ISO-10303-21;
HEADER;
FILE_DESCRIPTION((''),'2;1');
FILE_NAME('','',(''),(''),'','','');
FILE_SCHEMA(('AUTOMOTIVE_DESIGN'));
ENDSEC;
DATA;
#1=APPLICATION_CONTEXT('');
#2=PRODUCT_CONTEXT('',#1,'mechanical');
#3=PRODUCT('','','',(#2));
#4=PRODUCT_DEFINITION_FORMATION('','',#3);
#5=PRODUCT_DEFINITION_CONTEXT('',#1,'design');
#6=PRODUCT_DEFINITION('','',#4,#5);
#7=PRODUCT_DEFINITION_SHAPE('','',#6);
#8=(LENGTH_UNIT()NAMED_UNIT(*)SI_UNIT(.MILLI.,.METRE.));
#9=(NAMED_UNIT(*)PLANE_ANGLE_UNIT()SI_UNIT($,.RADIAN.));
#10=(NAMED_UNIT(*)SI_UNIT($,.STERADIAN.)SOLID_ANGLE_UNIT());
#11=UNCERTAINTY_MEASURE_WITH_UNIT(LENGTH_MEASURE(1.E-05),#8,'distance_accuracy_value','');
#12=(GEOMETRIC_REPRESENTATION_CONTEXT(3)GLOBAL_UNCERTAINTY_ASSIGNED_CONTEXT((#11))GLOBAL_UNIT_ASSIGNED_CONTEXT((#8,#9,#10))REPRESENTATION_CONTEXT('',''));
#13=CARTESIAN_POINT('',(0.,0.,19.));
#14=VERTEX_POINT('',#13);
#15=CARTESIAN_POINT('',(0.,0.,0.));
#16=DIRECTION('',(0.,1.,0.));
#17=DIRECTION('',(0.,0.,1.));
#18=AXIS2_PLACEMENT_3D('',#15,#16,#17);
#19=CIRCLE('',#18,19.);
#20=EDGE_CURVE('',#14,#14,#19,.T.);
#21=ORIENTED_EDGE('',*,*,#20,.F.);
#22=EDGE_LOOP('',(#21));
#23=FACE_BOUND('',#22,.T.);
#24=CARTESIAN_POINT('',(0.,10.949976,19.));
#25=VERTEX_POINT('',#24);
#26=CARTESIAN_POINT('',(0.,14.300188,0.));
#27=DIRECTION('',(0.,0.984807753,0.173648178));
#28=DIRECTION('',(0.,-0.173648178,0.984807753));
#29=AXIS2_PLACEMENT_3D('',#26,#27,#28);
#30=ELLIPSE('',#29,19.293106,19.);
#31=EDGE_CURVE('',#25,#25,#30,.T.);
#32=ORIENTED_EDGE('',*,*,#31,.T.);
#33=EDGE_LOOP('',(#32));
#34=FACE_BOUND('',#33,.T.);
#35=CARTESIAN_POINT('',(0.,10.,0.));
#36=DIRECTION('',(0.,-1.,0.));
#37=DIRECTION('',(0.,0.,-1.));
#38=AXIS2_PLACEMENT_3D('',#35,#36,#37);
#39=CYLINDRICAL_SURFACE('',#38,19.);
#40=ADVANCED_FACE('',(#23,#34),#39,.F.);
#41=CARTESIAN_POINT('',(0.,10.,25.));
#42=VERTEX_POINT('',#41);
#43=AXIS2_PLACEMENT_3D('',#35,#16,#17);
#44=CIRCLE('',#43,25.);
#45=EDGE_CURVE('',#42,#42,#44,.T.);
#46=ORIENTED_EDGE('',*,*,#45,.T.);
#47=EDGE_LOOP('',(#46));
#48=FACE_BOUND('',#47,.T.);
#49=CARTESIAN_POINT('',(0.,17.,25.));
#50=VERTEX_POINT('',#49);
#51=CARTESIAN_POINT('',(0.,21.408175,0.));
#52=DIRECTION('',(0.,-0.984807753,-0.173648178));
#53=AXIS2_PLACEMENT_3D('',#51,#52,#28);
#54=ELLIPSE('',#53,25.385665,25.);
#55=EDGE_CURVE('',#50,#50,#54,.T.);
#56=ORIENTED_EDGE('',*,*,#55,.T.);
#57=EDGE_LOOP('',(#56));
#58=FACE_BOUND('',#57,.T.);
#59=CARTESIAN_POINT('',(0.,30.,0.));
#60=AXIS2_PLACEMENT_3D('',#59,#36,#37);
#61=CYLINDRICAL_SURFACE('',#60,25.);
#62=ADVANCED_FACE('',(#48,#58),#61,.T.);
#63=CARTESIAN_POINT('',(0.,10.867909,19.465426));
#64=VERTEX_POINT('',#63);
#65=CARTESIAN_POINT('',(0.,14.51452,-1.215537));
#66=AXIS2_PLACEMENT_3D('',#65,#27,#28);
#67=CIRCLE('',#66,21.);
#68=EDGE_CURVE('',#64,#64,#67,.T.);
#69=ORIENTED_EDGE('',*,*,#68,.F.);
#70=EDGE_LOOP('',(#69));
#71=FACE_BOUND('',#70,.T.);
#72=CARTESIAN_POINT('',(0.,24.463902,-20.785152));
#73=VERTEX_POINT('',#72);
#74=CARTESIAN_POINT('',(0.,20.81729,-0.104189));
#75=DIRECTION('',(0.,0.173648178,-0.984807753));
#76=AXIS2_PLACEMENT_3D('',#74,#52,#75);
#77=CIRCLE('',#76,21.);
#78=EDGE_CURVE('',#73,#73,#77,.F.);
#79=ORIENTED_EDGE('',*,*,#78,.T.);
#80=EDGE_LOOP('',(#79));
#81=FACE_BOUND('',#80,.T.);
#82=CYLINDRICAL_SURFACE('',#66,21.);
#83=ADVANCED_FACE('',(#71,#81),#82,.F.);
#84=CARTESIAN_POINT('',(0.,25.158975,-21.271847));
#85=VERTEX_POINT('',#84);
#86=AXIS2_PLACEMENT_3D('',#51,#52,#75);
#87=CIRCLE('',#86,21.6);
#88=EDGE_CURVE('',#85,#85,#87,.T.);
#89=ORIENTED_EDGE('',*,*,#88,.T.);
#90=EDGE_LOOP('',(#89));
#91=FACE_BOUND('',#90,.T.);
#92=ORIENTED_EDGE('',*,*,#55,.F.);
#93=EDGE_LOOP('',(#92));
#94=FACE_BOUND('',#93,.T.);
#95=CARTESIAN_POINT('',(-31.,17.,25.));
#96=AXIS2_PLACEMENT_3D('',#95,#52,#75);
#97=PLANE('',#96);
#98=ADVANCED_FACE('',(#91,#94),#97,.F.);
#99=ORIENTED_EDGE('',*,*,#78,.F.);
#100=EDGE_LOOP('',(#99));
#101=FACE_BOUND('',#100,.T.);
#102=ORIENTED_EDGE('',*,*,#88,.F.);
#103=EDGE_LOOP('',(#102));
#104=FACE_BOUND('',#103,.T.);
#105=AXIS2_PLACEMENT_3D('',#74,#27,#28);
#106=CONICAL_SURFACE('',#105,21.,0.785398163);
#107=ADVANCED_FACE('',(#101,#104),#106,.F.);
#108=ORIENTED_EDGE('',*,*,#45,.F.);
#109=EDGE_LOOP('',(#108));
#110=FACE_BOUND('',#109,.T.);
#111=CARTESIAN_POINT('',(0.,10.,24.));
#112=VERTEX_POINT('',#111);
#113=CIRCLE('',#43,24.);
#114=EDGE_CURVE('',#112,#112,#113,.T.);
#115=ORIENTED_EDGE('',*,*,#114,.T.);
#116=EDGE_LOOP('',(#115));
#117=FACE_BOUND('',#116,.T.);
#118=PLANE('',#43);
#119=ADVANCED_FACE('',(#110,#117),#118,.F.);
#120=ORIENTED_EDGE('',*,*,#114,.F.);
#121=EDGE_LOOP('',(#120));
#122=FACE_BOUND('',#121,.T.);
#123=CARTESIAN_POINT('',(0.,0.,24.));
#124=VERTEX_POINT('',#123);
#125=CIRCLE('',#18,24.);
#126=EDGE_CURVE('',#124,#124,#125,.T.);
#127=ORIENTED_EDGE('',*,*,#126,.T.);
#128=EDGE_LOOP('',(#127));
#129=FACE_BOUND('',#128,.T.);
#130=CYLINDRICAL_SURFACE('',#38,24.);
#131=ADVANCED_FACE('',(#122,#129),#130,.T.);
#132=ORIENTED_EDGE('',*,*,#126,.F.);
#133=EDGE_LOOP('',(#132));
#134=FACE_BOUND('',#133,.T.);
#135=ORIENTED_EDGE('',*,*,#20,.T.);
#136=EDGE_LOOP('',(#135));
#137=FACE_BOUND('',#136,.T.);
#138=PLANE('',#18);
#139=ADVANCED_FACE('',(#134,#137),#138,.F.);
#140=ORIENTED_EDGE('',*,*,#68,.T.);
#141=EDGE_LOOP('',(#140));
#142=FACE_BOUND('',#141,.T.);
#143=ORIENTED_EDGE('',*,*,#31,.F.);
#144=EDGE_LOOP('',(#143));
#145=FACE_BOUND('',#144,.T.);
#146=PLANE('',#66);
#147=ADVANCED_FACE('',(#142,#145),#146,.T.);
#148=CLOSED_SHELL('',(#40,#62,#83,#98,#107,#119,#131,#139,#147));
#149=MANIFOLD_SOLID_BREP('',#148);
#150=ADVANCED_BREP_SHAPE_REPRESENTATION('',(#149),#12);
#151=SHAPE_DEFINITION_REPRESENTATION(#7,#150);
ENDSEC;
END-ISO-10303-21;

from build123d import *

# Parameters (mm, degrees)
SKETCH_1_R          = 24
SKETCH_1_R_2        = 19
EXTRUDE_1_DEPTH     = 10
SKETCH_2_R          = 25
SKETCH_2_R_2        = 19
EXTRUDE_2_DEPTH     = 20
CUT_EXTRUDE_1_DEPTH = 31
SKETCH_4_R          = 21
CUT_EXTRUDE_2_DEPTH = 7
CHAMFER_1_SIZE      = 0.6


with BuildPart() as part:
    # 草图1 → 凸台-拉伸1 (new body)
    with BuildSketch(Plane(origin=(0, 0, 0), x_dir=(1, 0, 0), z_dir=(0, 1, 0))):
        Circle(SKETCH_1_R)
        Circle(SKETCH_1_R_2, mode=Mode.SUBTRACT)
    extrude(amount=EXTRUDE_1_DEPTH)

    # 草图2 → 凸台-拉伸2 (add)
    with BuildSketch(Plane(origin=(0, 10, 0), x_dir=(1, 0, 0), z_dir=(0, 1, 0))):
        Circle(SKETCH_2_R)
        Circle(SKETCH_2_R_2, mode=Mode.SUBTRACT)
    extrude(amount=EXTRUDE_2_DEPTH)

    # 草图3 → 切除-拉伸1 (cut, symmetric)
    with BuildSketch(Plane(origin=(0, 0, 0), x_dir=(0, 0, -1), z_dir=(1, 0, 0))):
        Polygon((-25, 17), (25, 25.816349035), (25, 47.879470908), (-25, 47.879470908), align=None)
    extrude(amount=CUT_EXTRUDE_1_DEPTH, both=True, mode=Mode.SUBTRACT)

    # 草图4 → 切除-拉伸2 (cut)
    with BuildSketch(Plane(origin=(0, 20.762639068, 3.661013458), x_dir=(1, 0, 0), z_dir=(0, 0.984807753, 0.173648178))):
        with Locations((0, 3.717490492)):
            Circle(SKETCH_4_R)
    extrude(amount=-CUT_EXTRUDE_2_DEPTH, mode=Mode.SUBTRACT)

    # 倒角1
    chamfer_1_edges = [part.edges().sort_by_distance(p)[0] for p in [
        (-21, 21.408174518, 0),
    ]]
    chamfer(chamfer_1_edges, length=CHAMFER_1_SIZE)


solid = part.part
